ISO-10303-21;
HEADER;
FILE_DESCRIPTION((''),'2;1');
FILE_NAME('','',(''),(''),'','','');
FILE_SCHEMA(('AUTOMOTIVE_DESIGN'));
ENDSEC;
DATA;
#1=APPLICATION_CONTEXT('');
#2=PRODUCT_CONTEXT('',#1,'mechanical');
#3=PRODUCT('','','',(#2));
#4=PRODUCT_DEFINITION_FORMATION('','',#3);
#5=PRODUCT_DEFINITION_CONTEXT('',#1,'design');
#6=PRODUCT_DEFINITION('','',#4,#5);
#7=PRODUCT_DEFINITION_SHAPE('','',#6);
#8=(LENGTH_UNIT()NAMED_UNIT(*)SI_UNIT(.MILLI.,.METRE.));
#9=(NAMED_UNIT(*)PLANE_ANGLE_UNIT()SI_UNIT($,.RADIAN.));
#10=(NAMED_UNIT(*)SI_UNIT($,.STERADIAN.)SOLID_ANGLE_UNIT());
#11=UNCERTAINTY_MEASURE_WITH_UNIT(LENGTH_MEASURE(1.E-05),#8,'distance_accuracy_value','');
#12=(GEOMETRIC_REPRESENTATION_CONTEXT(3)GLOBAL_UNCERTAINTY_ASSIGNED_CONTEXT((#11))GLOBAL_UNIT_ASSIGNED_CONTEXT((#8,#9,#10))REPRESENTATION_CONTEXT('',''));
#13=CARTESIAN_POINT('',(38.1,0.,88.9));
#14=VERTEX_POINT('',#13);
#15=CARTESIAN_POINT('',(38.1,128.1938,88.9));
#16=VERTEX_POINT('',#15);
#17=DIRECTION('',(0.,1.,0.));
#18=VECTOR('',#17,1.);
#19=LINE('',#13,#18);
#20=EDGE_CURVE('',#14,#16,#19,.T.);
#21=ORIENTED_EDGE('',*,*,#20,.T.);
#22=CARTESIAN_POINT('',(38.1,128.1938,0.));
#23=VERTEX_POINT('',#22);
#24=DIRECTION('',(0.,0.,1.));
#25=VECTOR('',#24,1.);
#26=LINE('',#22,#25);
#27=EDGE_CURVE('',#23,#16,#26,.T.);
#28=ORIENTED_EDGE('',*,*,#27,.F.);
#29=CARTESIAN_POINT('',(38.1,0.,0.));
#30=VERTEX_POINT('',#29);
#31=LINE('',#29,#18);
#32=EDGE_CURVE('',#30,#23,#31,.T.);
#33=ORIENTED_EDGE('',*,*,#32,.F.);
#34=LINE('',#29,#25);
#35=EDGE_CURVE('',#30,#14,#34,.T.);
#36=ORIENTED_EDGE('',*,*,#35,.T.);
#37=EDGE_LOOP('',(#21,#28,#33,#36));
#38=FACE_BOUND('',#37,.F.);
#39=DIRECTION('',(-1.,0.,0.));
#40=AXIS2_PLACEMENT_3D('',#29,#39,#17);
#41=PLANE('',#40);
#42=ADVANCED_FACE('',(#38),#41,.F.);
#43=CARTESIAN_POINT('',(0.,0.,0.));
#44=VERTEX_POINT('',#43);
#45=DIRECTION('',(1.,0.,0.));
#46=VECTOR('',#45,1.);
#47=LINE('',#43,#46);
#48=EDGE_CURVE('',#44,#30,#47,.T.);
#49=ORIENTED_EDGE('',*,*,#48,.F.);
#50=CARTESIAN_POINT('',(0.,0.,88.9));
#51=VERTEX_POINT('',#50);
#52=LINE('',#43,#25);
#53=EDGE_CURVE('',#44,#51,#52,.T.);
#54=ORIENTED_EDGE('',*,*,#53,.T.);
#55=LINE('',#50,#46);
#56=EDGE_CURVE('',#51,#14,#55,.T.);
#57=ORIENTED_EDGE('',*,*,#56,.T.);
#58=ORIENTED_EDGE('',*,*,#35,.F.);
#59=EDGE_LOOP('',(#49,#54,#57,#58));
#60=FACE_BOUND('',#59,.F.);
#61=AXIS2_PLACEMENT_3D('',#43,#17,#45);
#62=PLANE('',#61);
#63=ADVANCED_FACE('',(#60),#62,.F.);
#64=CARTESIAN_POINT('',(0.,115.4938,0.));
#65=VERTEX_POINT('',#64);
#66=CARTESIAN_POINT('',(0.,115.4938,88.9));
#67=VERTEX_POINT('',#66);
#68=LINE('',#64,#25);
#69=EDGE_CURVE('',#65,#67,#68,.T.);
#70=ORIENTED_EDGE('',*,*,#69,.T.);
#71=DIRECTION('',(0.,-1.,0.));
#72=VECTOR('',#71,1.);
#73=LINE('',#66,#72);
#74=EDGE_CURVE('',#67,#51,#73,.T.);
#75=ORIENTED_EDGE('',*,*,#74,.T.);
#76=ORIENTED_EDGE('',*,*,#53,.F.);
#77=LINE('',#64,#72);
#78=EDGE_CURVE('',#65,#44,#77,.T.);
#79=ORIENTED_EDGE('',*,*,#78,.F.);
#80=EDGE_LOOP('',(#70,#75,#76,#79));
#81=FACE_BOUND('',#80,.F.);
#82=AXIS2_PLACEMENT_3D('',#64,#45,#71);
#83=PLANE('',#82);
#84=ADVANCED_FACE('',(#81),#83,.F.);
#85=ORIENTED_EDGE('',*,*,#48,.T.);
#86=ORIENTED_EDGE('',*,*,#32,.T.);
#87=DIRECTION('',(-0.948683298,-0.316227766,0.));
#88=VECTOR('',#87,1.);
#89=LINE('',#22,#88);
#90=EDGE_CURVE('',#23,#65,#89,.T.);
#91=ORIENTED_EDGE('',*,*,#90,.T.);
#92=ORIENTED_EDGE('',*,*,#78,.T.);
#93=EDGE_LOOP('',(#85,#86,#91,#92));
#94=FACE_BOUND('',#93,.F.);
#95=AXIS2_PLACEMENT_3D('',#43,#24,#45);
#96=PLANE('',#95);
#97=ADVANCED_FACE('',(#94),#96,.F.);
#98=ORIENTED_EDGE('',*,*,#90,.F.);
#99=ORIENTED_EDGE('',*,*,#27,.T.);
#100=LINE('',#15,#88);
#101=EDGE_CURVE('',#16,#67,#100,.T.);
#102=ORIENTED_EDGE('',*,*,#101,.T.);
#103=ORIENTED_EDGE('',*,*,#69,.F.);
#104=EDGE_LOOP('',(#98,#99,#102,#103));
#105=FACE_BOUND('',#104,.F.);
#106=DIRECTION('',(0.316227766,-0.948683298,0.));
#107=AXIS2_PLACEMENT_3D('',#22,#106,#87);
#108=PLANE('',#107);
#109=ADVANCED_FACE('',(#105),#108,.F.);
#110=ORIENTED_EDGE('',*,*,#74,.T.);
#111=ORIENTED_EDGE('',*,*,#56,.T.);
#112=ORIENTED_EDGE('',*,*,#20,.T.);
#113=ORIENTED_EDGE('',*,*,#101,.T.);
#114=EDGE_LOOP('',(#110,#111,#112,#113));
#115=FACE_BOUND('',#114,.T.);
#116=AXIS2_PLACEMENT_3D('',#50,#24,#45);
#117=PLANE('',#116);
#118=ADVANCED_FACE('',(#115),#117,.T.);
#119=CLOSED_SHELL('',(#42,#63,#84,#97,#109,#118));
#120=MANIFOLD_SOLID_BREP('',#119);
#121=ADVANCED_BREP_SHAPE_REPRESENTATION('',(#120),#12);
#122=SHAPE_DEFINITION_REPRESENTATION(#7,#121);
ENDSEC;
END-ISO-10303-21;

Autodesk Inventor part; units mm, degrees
ref_plane "YZ Plane" through (0, 0, 0) normal (1, 0, 0) x (0, 1, 0)
ref_plane "XZ Plane" through (0, 0, 0) normal (0, 1, 0) x (-1, 0, 0)
ref_plane "XY Plane" through (0, 0, 0) normal (0, 0, 1) x (1, 0, 0)
sketch "Sketch1" plane through (0, 0, 0) normal (0, 0, 1) x (1, 0, 0)
  line L0 (0, 0) -> (38.1, 0)
  line L1 (38.1, 0) -> (38.1, 128.1938)
  line L2 (38.1, 128.1938) -> (0, 115.4938)
  line L3 (0, 115.4938) -> (0, 0)
  dimension "d0" = 115.4938
  dimension "d1" = 128.1938
  dimension "d2" = 38.1
extrude "Extrusion1" add sketch "Sketch1" along normal blind 88.9
properties part number "Stud_Between_Top_Plate_And_Rafter_1" material "Wood (Birch)"
